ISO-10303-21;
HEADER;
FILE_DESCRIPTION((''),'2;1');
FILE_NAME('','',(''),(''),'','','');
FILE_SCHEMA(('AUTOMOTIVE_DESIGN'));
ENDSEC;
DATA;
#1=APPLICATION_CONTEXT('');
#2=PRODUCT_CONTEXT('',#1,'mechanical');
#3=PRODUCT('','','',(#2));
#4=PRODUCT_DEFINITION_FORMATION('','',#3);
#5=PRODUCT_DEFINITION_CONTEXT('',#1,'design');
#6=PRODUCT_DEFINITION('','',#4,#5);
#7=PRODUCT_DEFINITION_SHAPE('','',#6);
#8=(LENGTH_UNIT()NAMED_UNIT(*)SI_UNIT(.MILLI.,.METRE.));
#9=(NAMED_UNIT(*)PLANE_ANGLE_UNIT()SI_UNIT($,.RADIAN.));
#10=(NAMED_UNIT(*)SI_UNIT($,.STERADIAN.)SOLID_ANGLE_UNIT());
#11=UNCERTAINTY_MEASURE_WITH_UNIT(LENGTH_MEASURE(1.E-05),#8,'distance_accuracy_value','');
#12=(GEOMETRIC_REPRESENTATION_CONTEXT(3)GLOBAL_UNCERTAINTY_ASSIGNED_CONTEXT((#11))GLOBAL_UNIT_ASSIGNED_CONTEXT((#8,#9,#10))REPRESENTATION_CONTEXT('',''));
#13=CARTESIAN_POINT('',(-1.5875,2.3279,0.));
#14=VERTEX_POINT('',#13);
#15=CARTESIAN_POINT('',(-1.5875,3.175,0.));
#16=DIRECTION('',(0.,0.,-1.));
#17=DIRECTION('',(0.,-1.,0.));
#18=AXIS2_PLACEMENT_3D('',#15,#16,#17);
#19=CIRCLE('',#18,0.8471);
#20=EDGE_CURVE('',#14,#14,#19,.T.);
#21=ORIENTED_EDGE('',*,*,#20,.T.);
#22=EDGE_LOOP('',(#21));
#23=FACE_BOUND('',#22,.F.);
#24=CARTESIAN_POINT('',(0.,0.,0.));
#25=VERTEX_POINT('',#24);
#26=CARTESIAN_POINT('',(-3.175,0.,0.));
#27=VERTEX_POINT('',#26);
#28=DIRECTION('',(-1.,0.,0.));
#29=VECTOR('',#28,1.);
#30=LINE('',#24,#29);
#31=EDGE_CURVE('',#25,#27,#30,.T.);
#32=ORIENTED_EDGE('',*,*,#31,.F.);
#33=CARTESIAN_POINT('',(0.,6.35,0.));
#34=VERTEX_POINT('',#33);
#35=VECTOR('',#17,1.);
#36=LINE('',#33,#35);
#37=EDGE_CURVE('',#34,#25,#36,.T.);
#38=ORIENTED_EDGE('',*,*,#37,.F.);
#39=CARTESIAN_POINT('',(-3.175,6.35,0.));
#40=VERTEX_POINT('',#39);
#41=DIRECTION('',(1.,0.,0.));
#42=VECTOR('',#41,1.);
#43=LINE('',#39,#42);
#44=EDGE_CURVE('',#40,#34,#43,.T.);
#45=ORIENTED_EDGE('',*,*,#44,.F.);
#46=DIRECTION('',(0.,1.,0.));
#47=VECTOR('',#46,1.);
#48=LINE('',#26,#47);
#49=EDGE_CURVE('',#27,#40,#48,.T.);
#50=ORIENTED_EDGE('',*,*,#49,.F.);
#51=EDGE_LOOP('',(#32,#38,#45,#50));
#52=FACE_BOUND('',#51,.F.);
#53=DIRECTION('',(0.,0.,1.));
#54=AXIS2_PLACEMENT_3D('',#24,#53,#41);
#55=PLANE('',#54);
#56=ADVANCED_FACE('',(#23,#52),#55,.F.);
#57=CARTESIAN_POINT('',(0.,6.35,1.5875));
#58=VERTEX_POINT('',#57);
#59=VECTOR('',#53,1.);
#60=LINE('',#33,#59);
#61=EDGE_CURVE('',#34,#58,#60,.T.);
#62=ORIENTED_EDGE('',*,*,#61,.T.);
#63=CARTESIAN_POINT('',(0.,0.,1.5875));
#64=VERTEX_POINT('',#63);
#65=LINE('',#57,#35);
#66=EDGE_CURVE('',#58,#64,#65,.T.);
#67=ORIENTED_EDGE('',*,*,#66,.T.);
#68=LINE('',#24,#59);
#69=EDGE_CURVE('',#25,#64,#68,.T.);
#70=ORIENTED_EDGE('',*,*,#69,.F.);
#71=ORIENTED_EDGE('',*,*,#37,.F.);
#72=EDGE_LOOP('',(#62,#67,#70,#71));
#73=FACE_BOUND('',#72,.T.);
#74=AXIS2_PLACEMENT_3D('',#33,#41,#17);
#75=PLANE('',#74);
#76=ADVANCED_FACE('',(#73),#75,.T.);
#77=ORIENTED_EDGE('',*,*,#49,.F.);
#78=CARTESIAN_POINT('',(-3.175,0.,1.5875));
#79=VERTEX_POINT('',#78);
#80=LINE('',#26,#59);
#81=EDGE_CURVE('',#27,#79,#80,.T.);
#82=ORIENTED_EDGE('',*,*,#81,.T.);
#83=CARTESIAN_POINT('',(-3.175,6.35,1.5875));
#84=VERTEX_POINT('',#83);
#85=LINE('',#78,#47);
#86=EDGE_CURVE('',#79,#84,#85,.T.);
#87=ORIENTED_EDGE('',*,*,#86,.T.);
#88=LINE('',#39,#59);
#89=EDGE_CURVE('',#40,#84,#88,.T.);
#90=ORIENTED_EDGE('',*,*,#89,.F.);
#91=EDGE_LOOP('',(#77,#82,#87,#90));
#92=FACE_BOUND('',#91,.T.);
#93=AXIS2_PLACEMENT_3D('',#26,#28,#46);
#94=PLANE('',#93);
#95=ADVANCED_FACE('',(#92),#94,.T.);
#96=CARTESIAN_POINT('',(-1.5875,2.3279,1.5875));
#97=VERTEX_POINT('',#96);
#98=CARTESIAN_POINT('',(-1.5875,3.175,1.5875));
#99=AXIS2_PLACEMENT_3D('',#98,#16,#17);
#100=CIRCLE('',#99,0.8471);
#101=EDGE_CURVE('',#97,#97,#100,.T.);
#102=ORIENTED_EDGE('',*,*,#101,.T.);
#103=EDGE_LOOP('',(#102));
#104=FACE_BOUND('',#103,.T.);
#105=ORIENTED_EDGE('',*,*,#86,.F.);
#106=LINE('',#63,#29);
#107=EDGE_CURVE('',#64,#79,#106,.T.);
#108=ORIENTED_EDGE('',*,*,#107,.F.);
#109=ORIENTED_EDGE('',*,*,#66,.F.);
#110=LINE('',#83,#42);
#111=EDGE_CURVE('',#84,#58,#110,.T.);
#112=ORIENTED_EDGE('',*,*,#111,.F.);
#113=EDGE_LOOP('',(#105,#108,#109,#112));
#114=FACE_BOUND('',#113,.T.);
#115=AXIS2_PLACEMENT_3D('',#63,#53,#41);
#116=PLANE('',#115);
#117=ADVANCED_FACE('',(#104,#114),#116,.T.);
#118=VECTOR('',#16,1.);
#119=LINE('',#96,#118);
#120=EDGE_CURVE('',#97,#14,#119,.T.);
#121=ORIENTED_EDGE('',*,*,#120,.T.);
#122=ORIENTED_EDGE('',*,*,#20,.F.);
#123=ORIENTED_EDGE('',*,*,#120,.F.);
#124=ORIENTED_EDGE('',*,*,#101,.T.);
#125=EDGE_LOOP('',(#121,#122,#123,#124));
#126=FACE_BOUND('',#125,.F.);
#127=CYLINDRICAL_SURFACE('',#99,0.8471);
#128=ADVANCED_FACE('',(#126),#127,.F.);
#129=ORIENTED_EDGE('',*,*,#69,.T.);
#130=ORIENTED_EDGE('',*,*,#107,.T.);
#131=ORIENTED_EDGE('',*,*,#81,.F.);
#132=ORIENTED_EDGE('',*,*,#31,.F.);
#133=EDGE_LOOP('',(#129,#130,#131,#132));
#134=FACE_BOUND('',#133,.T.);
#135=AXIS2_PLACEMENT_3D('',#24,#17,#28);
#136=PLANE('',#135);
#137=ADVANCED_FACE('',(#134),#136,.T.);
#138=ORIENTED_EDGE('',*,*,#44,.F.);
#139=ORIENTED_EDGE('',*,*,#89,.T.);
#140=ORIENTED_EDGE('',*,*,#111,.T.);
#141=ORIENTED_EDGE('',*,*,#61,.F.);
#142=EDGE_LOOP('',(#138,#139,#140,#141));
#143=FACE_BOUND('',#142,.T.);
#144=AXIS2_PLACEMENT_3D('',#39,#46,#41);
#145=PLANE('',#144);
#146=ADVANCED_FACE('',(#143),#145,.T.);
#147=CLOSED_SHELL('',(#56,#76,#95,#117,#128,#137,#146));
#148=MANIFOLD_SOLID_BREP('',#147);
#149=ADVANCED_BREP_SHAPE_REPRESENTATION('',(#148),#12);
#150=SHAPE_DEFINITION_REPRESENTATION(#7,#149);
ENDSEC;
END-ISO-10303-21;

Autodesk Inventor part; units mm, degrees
ref_plane "YZ Plane" through (0, 0, 0) normal (1, 0, 0) x (0, 1, 0)
ref_plane "XZ Plane" through (0, 0, 0) normal (0, 1, 0) x (-1, 0, 0)
ref_plane "XY Plane" through (0, 0, 0) normal (0, 0, 1) x (1, 0, 0)
sketch "Boceto1" plane through (0, 0, 0) normal (0, 0, 1) x (1, 0, 0)
  line L0 (0, 0) -> (-3.175, 0)
  line L1 (-3.175, 0) -> (-3.175, 6.35)
  line L2 (-3.175, 6.35) -> (0, 6.35)
  line L3 (0, 6.35) -> (0, 0)
  dimension "d0" = 3.175
  dimension "d1" = 6.35
extrude "Extrusión1" add sketch "Boceto1" along normal blind 1.5875
sketch "Boceto2" plane through (0, 0, 1.5875) normal (0, 0, 1) x (1, 0, 0)
  line L0 (-3.175, 0) -> (0, 0) projected
  line L1 (0, 6.35) -> (-3.175, 6.35) projected
  line L2 (-3.175, 6.35) -> (-3.175, 0) projected
  line L3 (0, 0) -> (0, 6.35) projected
  point P0 (-1.5875, 3.175)
  dimension "d4" = 6.35
  dimension "d5" = 3.175
  dimension "d6" = 1.5875
  dimension "d7" = 3.175
hole "Agujero1" at (-1.5875, 3.175, 1.5875) direction (0, 0, -1) diameter 1.6942 end through all thread size "2-56 UNC" class "2B" standard "ANSI Unified Screw Threads"
equation "\"d6\" = 0.5 * d5"
equation "\"d7\" = 0.5 * d4"
properties part number "Nut" material "Latón, amarillo claro"
